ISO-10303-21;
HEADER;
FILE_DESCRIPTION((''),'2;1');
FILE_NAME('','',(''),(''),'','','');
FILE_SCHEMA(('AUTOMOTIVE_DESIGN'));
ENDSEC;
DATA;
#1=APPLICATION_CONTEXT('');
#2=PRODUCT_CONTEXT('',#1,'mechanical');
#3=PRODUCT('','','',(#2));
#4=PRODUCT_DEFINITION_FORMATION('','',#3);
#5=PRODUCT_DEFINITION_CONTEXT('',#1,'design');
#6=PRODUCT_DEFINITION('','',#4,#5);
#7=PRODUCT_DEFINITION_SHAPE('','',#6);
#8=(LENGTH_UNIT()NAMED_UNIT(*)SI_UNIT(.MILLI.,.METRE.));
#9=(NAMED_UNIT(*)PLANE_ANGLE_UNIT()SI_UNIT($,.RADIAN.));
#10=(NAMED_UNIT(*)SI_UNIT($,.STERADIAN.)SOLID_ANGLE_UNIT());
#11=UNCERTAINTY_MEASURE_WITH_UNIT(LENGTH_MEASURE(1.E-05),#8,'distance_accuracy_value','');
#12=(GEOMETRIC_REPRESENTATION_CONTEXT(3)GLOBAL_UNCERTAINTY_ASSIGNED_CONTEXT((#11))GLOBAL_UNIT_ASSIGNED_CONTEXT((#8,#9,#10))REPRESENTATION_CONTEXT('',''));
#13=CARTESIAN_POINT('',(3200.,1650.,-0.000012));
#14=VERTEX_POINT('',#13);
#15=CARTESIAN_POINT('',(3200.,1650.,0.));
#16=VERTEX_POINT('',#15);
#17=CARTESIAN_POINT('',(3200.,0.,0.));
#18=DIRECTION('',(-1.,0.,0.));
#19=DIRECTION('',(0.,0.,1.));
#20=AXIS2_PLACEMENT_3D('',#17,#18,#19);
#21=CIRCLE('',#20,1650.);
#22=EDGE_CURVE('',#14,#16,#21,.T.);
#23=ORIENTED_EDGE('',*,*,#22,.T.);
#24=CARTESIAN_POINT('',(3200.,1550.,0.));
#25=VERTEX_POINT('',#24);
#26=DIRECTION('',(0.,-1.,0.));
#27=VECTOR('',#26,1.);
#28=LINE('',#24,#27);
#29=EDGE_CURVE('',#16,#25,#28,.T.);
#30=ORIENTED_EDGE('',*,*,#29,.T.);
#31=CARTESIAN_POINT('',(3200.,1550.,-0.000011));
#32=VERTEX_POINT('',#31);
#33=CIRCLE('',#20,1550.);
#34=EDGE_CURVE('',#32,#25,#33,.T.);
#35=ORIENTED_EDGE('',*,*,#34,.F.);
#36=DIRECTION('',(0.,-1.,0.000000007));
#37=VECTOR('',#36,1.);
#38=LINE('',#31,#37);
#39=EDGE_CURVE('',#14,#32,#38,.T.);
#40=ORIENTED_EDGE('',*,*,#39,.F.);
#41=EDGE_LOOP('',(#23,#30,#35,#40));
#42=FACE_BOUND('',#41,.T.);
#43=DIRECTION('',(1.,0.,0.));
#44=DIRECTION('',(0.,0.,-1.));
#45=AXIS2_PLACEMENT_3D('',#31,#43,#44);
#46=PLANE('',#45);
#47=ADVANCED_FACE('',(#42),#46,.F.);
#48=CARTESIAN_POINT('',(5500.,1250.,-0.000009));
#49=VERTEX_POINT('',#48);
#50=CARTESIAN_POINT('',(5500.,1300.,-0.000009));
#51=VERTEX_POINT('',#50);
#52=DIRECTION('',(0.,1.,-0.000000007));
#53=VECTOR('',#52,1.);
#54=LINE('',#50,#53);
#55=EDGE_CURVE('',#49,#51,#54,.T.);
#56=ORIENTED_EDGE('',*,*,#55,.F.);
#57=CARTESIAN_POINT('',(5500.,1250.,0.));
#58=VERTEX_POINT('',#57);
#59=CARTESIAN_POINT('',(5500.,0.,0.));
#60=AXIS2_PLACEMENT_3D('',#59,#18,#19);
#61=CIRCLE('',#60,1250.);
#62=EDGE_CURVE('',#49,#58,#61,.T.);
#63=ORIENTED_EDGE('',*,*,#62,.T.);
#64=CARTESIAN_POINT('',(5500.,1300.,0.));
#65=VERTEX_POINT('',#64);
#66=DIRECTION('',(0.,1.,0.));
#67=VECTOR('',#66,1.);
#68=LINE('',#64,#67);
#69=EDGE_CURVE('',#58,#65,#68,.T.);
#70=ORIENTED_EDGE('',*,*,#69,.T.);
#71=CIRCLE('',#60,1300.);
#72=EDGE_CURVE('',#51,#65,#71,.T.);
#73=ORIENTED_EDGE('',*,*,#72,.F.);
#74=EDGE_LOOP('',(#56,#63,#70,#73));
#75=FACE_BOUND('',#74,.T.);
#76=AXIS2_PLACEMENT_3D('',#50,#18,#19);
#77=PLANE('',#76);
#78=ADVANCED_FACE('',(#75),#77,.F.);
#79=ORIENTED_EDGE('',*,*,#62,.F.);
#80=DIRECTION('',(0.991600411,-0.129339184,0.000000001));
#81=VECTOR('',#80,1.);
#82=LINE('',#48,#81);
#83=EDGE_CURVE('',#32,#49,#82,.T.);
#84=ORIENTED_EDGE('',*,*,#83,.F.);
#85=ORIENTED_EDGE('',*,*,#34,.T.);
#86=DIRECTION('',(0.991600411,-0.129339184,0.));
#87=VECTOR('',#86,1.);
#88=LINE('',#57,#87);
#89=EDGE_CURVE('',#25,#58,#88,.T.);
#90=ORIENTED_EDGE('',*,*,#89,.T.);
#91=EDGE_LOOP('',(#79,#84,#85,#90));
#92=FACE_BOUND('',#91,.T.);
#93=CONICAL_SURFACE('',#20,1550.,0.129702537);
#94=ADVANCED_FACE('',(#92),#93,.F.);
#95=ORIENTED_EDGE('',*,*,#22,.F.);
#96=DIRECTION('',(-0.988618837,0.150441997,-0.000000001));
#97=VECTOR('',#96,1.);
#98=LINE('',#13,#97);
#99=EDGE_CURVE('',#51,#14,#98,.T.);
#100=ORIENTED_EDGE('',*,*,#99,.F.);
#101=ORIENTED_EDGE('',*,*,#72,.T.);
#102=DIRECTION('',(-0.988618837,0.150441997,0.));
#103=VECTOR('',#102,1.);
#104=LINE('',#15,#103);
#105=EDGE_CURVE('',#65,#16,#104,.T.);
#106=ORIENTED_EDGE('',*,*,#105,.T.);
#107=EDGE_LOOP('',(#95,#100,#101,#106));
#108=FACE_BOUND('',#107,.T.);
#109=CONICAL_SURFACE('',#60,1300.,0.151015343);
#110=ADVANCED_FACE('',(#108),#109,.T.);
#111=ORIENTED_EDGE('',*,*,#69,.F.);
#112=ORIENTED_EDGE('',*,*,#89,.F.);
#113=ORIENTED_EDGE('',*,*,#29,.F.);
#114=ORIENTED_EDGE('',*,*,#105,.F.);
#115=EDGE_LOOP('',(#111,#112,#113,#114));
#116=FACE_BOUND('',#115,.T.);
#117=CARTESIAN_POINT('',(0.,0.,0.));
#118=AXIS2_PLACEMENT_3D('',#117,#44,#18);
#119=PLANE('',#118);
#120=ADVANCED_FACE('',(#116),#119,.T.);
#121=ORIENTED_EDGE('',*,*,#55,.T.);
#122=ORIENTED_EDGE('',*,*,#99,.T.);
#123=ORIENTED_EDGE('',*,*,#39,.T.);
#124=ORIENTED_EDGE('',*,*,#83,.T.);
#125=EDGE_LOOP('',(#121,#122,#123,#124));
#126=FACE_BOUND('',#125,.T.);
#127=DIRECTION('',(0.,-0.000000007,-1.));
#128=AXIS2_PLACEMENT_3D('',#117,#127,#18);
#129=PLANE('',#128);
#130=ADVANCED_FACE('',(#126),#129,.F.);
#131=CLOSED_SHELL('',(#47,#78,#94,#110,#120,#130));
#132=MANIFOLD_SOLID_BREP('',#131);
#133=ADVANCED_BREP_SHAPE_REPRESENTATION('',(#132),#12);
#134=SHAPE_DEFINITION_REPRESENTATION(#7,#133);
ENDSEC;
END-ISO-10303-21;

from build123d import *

# Parameters (mm, degrees)
REVOLVE1_ANGLE = 359.999999589


with BuildPart() as part:
    # Sketch1 → Revolve1 (revolve)
    with BuildSketch(Plane.XY):
        Polygon((3200, 1550), (3200, 1650), (5500, 1300), (5500, 1250), align=None)
    revolve(axis=Axis((0, 0, 0), (1, 0, 0)), revolution_arc=REVOLVE1_ANGLE)


solid = part.part
